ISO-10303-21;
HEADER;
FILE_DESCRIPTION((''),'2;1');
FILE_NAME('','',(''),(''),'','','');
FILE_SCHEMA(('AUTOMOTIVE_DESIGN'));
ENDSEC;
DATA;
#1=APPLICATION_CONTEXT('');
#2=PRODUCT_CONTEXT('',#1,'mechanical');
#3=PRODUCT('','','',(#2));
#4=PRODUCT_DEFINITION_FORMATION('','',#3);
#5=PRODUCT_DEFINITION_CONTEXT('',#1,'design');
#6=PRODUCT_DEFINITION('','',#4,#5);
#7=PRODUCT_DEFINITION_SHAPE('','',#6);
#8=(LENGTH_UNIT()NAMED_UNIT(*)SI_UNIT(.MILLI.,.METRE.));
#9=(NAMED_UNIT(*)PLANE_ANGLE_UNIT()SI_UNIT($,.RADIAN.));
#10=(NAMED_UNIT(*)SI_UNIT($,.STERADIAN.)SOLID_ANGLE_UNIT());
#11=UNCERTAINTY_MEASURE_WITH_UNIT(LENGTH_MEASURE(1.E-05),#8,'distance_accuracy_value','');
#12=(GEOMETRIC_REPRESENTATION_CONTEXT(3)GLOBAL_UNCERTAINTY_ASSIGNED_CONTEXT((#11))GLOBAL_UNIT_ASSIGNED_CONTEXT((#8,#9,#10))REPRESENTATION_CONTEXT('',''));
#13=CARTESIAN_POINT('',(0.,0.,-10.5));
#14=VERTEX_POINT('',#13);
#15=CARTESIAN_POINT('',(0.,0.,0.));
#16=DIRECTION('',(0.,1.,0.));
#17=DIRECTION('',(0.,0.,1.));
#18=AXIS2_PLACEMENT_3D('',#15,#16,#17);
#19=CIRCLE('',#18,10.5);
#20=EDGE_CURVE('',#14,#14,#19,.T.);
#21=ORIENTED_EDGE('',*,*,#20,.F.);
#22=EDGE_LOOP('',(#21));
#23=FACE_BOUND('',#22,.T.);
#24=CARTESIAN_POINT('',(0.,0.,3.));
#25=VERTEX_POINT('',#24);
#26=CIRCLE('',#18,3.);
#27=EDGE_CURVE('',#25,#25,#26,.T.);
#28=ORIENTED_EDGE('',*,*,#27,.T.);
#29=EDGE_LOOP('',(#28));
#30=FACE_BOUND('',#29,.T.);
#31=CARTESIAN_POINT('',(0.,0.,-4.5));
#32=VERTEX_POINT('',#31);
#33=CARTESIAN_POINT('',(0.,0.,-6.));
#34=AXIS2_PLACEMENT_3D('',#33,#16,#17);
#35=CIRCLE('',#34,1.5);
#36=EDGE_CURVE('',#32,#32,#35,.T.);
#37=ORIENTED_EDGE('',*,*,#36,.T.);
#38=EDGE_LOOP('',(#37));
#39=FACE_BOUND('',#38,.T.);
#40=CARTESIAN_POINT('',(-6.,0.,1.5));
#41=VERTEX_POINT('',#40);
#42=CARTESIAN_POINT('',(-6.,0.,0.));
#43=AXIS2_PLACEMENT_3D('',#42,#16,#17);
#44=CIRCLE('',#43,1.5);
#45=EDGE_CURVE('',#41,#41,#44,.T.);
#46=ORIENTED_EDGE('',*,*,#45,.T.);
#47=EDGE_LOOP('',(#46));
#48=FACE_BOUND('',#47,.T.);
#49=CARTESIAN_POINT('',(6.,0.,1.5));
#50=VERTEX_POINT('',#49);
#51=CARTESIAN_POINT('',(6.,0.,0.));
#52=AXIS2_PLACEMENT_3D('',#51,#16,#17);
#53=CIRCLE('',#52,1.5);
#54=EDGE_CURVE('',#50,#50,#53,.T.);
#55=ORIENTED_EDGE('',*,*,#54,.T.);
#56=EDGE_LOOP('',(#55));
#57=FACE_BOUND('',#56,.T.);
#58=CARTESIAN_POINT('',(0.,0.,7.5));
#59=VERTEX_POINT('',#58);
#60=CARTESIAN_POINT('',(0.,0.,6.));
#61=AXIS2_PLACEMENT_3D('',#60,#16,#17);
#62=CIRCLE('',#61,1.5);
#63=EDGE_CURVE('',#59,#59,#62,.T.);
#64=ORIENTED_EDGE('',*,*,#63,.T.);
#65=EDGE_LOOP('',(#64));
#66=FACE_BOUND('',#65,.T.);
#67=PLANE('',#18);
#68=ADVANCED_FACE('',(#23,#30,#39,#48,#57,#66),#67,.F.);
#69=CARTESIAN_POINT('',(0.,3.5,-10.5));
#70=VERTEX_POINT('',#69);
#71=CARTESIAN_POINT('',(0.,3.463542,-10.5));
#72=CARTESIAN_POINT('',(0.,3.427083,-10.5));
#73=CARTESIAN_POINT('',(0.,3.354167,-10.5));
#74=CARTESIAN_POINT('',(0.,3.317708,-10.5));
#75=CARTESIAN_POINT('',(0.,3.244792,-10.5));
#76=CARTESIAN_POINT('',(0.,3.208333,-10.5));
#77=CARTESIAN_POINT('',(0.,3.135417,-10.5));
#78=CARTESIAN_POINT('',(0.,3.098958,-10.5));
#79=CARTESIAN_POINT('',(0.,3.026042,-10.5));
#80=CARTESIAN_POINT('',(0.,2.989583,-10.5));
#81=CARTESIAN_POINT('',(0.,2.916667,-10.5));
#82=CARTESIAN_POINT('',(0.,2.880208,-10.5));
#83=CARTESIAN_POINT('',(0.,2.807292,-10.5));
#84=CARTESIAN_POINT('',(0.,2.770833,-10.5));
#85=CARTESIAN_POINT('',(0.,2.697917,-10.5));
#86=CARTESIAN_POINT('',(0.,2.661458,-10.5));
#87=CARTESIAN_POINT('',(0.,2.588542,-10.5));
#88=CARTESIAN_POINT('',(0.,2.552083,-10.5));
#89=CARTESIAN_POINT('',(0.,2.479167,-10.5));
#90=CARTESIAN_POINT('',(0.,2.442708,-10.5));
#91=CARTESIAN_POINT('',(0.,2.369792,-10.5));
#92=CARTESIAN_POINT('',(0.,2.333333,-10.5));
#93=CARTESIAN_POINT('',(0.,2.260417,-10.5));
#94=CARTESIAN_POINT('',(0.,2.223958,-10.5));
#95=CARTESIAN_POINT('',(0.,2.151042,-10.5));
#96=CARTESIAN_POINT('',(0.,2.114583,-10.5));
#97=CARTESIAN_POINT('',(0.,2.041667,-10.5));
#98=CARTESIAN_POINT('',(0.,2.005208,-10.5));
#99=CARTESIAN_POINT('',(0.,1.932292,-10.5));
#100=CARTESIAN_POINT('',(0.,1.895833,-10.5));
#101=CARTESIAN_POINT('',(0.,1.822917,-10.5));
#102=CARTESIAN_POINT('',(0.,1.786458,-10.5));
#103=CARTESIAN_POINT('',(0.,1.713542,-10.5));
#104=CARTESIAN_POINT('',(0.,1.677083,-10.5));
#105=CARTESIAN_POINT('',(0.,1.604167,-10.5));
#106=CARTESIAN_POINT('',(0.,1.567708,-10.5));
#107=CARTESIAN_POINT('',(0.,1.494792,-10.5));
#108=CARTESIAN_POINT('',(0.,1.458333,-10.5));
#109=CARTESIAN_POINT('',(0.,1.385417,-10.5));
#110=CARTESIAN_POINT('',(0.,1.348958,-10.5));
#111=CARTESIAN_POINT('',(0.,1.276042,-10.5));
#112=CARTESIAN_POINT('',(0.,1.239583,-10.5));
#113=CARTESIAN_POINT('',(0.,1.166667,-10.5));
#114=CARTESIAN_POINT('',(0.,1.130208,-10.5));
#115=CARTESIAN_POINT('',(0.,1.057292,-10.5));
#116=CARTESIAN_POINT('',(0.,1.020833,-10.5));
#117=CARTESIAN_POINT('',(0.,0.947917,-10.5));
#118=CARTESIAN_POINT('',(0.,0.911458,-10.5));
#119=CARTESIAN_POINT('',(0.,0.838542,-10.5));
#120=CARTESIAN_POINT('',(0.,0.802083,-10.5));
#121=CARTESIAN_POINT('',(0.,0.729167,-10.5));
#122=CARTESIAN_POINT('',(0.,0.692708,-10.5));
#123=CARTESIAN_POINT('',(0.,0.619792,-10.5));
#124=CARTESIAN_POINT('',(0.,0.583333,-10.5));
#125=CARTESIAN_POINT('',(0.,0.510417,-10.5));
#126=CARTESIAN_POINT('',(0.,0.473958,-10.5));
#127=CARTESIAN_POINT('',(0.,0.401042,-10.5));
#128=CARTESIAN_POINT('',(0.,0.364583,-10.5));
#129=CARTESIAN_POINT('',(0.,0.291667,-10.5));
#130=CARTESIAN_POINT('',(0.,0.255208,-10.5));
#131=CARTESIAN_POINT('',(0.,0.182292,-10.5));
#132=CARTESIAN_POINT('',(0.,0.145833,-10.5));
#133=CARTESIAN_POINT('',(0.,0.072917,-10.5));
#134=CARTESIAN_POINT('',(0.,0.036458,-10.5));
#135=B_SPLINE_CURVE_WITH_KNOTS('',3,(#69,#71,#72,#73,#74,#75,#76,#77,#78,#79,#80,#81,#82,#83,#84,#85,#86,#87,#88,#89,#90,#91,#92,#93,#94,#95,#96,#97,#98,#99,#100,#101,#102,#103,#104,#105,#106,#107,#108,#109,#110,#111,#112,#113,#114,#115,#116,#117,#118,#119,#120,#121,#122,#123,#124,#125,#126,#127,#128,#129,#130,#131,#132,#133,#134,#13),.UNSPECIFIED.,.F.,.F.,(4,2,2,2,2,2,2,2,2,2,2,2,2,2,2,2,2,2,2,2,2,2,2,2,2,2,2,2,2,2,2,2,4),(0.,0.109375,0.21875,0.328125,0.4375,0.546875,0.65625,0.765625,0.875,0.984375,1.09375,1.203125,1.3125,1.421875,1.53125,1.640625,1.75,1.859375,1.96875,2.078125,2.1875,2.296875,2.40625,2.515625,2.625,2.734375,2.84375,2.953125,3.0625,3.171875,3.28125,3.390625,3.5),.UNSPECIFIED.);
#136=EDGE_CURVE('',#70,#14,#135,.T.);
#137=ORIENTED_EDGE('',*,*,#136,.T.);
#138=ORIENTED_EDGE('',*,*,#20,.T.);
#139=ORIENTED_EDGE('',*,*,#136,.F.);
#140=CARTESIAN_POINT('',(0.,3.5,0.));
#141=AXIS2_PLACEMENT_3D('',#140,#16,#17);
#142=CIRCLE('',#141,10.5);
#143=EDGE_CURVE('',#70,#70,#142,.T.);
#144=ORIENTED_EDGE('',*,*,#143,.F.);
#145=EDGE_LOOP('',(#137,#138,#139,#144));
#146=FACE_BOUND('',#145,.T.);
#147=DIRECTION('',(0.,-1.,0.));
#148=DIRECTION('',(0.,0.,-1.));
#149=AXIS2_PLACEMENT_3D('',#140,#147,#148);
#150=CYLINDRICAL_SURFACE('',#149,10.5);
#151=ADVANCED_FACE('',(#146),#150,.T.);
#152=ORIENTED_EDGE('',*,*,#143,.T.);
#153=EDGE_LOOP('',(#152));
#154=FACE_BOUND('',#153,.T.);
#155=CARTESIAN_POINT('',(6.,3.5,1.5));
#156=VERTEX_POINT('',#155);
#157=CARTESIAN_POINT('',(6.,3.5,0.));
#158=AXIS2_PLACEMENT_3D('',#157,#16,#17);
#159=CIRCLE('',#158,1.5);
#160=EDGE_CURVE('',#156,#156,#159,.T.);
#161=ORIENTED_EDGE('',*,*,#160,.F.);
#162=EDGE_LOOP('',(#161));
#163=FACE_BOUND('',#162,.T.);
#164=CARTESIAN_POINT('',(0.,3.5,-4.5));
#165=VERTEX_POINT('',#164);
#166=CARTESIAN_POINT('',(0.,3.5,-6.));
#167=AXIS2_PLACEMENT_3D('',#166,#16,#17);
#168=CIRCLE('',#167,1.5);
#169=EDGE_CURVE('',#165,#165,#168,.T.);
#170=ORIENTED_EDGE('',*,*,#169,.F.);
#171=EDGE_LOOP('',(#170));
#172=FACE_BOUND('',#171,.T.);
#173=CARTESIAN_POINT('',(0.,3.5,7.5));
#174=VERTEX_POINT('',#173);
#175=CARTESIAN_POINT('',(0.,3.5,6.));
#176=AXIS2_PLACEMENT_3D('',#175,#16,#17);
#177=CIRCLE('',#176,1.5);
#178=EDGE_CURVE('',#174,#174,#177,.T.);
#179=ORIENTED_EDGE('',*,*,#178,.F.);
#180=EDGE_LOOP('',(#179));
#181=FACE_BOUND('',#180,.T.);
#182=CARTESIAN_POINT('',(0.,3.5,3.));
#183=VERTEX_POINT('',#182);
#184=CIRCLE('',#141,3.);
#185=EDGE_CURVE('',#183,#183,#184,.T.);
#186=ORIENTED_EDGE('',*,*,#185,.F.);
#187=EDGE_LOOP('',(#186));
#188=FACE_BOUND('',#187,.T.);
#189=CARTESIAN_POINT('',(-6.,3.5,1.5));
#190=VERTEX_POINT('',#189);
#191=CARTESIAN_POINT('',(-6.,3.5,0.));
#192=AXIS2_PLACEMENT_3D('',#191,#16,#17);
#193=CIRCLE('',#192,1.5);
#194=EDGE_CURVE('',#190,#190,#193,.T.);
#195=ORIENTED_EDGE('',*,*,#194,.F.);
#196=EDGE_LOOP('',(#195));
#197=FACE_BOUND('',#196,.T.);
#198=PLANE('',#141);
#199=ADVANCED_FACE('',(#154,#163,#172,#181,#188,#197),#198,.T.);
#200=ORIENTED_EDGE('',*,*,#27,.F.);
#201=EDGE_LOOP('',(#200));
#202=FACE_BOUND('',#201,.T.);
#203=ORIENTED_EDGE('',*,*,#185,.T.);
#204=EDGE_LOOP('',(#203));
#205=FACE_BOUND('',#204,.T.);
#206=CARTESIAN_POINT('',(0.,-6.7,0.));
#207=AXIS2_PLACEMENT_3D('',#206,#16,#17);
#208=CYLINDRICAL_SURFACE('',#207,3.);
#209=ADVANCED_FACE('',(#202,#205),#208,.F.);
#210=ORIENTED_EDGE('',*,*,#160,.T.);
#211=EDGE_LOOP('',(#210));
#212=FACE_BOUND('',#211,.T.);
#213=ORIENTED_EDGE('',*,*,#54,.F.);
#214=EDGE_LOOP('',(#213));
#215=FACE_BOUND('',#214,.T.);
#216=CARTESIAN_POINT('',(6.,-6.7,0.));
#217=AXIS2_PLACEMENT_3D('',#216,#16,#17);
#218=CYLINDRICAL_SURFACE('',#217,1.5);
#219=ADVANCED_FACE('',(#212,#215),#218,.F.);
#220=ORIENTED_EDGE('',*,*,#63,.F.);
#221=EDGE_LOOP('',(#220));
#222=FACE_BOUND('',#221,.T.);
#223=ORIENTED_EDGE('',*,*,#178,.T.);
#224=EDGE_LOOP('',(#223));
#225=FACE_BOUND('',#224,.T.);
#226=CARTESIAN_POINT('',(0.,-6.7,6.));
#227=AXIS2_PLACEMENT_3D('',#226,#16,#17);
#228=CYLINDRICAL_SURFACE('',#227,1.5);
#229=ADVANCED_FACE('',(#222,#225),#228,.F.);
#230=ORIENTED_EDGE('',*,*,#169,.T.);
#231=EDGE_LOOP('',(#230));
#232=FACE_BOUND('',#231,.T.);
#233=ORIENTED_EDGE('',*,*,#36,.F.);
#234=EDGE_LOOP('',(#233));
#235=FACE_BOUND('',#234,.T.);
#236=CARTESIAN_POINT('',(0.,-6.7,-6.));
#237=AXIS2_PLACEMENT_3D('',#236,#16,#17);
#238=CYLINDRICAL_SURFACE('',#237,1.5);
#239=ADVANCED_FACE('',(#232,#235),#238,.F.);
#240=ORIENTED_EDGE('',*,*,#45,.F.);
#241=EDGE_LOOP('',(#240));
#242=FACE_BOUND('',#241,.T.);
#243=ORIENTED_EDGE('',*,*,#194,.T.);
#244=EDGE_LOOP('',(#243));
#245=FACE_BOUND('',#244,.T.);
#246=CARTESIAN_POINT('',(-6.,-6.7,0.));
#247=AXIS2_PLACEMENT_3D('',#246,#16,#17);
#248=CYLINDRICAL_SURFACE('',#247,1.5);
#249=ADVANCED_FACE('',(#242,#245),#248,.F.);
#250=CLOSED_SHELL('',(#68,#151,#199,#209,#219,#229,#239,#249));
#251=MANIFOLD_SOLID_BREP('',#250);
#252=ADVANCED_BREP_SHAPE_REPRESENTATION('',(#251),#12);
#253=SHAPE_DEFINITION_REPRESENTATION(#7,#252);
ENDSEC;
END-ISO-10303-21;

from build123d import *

# Parameters (mm, degrees)
SKETCH1_R           = 10.5
BOSS_EXTRUDE1_DEPTH = 3.5
SKETCH2_R           = 3
SKETCH2_R_2         = 1.5
CUT_EXTRUDE1_DEPTH  = 10.2


with BuildPart() as part:
    # Sketch1 → Boss-Extrude1 (new body)
    with BuildSketch(Plane(origin=(0, 0, 0), x_dir=(1, 0, 0), z_dir=(0, 1, 0))):
        with Locations(Location((0, 0, 0), (0, 0, 90))):
            Circle(SKETCH1_R)
    extrude(amount=BOSS_EXTRUDE1_DEPTH)

    # Sketch2 → Cut-Extrude1 (cut)
    with BuildSketch(Plane(origin=(0, 3.5, 0), x_dir=(1, 0, 0), z_dir=(0, 1, 0))):
        with Locations(Location((0, 0, 0), (0, 0, 270))):
            Circle(SKETCH2_R)
        with Locations(Location((0, 6, 0), (0, 0, 270))):
            Circle(SKETCH2_R_2)
        with Locations(Location((6, 0, 0), (0, 0, 270))):
            Circle(SKETCH2_R_2)
        with Locations(Location((0, -6, 0), (0, 0, 270))):
            Circle(SKETCH2_R_2)
        with Locations(Location((-6, 0, 0), (0, 0, 270))):
            Circle(SKETCH2_R_2)
    extrude(amount=-CUT_EXTRUDE1_DEPTH, mode=Mode.SUBTRACT)


solid = part.part
